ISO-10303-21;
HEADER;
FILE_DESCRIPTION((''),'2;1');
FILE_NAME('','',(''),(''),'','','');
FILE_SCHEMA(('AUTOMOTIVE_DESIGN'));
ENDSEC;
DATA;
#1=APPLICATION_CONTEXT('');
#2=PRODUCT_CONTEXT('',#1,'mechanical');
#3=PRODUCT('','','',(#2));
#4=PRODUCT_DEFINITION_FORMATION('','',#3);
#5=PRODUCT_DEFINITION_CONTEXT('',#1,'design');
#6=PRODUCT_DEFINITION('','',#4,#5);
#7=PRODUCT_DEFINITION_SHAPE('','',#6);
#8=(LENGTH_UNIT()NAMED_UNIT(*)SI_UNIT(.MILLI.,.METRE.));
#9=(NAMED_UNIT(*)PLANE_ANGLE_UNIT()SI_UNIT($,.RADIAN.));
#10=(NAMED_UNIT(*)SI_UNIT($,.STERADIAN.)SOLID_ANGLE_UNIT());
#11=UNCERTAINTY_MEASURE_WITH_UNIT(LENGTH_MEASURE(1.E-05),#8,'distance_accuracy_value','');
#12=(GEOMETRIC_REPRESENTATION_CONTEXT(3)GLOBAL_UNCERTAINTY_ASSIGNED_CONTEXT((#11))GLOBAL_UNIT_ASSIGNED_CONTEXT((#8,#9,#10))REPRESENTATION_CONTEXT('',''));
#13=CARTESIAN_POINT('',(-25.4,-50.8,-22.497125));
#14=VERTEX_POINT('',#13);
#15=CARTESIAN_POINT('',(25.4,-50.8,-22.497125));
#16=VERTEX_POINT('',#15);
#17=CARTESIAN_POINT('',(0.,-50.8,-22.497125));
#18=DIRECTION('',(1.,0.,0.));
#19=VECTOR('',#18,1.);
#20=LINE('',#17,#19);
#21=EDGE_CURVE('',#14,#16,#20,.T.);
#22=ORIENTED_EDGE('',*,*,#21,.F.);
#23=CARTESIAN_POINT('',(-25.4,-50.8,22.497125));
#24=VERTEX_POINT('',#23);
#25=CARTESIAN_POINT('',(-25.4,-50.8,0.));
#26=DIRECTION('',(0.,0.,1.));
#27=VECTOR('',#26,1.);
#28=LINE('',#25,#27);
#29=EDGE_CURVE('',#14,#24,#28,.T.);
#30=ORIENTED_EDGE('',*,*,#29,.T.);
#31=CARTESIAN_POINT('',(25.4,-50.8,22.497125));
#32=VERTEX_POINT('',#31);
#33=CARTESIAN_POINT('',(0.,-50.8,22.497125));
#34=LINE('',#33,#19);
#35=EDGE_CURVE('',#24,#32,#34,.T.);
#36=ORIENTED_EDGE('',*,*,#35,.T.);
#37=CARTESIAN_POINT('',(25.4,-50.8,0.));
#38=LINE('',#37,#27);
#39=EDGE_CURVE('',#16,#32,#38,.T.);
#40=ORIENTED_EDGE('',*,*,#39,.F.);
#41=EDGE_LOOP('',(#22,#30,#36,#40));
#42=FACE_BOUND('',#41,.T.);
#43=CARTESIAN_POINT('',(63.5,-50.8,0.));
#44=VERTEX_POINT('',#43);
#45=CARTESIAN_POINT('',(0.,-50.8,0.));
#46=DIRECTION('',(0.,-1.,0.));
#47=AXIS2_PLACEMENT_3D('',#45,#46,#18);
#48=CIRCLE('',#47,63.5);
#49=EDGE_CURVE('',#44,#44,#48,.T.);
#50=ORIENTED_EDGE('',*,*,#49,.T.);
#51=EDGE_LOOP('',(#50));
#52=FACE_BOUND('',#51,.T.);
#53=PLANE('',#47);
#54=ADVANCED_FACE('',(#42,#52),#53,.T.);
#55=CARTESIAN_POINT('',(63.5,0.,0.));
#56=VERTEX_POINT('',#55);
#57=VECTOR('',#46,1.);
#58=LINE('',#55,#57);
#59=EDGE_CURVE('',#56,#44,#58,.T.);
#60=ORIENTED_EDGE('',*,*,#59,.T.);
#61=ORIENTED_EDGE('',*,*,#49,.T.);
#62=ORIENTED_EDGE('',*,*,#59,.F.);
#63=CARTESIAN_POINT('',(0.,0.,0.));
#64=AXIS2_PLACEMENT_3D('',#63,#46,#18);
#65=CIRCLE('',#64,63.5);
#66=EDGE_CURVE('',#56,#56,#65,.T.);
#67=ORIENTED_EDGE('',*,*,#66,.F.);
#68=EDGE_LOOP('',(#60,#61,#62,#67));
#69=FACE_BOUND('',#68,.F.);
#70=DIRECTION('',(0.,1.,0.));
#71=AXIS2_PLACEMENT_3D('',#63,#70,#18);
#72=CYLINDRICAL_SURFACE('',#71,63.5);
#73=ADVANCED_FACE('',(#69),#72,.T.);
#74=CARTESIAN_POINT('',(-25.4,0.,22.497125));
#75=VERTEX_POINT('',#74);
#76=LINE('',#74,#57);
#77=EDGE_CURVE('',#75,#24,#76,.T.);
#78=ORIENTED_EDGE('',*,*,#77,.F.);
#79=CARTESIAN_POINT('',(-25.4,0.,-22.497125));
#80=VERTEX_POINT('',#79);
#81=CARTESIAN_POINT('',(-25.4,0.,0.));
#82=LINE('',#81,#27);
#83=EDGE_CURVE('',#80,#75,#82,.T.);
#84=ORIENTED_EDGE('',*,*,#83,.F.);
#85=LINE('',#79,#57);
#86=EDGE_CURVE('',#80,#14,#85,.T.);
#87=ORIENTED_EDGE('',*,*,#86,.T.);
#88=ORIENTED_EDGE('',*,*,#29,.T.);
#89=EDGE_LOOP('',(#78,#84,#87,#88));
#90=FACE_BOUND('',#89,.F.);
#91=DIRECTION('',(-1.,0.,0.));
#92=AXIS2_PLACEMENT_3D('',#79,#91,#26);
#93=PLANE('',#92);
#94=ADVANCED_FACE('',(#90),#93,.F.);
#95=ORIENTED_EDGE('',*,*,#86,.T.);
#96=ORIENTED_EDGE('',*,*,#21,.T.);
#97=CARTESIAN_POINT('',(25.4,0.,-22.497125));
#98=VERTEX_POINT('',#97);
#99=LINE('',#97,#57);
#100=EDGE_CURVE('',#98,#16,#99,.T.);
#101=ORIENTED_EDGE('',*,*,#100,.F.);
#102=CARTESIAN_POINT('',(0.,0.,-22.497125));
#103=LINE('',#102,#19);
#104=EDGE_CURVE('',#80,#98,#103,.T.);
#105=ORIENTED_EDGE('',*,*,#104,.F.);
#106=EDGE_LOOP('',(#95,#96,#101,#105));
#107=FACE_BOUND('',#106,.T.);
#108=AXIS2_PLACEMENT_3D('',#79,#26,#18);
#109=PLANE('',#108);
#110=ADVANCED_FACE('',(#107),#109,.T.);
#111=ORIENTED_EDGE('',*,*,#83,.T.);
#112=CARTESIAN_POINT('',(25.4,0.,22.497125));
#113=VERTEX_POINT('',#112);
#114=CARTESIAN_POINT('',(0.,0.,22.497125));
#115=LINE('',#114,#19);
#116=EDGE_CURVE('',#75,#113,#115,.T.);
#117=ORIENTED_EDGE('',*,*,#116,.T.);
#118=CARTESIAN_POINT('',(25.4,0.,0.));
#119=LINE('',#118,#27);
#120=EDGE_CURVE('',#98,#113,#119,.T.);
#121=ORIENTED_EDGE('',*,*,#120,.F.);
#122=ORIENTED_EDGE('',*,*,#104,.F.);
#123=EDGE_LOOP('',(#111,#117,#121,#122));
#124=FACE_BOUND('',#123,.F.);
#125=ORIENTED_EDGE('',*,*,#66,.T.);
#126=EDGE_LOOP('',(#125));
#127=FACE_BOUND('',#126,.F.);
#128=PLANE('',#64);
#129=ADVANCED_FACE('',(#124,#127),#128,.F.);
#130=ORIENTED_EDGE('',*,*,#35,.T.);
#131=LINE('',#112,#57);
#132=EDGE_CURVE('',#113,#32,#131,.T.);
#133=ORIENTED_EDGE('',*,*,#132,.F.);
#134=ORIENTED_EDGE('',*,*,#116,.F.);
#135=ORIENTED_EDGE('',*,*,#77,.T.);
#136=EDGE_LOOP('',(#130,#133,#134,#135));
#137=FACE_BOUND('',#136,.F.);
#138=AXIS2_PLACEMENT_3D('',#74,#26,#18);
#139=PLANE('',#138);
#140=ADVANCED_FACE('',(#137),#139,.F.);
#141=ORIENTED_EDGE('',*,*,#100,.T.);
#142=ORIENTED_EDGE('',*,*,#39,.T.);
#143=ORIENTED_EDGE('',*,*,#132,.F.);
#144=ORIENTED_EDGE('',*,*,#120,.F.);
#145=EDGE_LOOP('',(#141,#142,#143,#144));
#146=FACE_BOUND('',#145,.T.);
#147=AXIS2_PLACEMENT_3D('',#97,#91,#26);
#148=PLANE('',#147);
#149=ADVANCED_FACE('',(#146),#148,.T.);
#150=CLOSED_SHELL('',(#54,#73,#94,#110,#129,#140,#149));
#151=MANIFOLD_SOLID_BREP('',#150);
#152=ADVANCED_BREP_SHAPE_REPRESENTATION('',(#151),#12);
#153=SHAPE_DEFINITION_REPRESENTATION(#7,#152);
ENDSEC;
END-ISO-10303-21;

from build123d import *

# Parameters (mm, degrees)
F0_R     = 63.5
F0_W     = 50.8
F0_H     = 44.99425
F1_DEPTH = 50.8


with BuildPart() as f1:
    # F0 (on Front) → F1 (new body)
    with BuildSketch(Plane.XZ):
        Circle(F0_R)
        Rectangle(F0_W, F0_H, mode=Mode.SUBTRACT)
    extrude(amount=F1_DEPTH)


solid = f1.part
